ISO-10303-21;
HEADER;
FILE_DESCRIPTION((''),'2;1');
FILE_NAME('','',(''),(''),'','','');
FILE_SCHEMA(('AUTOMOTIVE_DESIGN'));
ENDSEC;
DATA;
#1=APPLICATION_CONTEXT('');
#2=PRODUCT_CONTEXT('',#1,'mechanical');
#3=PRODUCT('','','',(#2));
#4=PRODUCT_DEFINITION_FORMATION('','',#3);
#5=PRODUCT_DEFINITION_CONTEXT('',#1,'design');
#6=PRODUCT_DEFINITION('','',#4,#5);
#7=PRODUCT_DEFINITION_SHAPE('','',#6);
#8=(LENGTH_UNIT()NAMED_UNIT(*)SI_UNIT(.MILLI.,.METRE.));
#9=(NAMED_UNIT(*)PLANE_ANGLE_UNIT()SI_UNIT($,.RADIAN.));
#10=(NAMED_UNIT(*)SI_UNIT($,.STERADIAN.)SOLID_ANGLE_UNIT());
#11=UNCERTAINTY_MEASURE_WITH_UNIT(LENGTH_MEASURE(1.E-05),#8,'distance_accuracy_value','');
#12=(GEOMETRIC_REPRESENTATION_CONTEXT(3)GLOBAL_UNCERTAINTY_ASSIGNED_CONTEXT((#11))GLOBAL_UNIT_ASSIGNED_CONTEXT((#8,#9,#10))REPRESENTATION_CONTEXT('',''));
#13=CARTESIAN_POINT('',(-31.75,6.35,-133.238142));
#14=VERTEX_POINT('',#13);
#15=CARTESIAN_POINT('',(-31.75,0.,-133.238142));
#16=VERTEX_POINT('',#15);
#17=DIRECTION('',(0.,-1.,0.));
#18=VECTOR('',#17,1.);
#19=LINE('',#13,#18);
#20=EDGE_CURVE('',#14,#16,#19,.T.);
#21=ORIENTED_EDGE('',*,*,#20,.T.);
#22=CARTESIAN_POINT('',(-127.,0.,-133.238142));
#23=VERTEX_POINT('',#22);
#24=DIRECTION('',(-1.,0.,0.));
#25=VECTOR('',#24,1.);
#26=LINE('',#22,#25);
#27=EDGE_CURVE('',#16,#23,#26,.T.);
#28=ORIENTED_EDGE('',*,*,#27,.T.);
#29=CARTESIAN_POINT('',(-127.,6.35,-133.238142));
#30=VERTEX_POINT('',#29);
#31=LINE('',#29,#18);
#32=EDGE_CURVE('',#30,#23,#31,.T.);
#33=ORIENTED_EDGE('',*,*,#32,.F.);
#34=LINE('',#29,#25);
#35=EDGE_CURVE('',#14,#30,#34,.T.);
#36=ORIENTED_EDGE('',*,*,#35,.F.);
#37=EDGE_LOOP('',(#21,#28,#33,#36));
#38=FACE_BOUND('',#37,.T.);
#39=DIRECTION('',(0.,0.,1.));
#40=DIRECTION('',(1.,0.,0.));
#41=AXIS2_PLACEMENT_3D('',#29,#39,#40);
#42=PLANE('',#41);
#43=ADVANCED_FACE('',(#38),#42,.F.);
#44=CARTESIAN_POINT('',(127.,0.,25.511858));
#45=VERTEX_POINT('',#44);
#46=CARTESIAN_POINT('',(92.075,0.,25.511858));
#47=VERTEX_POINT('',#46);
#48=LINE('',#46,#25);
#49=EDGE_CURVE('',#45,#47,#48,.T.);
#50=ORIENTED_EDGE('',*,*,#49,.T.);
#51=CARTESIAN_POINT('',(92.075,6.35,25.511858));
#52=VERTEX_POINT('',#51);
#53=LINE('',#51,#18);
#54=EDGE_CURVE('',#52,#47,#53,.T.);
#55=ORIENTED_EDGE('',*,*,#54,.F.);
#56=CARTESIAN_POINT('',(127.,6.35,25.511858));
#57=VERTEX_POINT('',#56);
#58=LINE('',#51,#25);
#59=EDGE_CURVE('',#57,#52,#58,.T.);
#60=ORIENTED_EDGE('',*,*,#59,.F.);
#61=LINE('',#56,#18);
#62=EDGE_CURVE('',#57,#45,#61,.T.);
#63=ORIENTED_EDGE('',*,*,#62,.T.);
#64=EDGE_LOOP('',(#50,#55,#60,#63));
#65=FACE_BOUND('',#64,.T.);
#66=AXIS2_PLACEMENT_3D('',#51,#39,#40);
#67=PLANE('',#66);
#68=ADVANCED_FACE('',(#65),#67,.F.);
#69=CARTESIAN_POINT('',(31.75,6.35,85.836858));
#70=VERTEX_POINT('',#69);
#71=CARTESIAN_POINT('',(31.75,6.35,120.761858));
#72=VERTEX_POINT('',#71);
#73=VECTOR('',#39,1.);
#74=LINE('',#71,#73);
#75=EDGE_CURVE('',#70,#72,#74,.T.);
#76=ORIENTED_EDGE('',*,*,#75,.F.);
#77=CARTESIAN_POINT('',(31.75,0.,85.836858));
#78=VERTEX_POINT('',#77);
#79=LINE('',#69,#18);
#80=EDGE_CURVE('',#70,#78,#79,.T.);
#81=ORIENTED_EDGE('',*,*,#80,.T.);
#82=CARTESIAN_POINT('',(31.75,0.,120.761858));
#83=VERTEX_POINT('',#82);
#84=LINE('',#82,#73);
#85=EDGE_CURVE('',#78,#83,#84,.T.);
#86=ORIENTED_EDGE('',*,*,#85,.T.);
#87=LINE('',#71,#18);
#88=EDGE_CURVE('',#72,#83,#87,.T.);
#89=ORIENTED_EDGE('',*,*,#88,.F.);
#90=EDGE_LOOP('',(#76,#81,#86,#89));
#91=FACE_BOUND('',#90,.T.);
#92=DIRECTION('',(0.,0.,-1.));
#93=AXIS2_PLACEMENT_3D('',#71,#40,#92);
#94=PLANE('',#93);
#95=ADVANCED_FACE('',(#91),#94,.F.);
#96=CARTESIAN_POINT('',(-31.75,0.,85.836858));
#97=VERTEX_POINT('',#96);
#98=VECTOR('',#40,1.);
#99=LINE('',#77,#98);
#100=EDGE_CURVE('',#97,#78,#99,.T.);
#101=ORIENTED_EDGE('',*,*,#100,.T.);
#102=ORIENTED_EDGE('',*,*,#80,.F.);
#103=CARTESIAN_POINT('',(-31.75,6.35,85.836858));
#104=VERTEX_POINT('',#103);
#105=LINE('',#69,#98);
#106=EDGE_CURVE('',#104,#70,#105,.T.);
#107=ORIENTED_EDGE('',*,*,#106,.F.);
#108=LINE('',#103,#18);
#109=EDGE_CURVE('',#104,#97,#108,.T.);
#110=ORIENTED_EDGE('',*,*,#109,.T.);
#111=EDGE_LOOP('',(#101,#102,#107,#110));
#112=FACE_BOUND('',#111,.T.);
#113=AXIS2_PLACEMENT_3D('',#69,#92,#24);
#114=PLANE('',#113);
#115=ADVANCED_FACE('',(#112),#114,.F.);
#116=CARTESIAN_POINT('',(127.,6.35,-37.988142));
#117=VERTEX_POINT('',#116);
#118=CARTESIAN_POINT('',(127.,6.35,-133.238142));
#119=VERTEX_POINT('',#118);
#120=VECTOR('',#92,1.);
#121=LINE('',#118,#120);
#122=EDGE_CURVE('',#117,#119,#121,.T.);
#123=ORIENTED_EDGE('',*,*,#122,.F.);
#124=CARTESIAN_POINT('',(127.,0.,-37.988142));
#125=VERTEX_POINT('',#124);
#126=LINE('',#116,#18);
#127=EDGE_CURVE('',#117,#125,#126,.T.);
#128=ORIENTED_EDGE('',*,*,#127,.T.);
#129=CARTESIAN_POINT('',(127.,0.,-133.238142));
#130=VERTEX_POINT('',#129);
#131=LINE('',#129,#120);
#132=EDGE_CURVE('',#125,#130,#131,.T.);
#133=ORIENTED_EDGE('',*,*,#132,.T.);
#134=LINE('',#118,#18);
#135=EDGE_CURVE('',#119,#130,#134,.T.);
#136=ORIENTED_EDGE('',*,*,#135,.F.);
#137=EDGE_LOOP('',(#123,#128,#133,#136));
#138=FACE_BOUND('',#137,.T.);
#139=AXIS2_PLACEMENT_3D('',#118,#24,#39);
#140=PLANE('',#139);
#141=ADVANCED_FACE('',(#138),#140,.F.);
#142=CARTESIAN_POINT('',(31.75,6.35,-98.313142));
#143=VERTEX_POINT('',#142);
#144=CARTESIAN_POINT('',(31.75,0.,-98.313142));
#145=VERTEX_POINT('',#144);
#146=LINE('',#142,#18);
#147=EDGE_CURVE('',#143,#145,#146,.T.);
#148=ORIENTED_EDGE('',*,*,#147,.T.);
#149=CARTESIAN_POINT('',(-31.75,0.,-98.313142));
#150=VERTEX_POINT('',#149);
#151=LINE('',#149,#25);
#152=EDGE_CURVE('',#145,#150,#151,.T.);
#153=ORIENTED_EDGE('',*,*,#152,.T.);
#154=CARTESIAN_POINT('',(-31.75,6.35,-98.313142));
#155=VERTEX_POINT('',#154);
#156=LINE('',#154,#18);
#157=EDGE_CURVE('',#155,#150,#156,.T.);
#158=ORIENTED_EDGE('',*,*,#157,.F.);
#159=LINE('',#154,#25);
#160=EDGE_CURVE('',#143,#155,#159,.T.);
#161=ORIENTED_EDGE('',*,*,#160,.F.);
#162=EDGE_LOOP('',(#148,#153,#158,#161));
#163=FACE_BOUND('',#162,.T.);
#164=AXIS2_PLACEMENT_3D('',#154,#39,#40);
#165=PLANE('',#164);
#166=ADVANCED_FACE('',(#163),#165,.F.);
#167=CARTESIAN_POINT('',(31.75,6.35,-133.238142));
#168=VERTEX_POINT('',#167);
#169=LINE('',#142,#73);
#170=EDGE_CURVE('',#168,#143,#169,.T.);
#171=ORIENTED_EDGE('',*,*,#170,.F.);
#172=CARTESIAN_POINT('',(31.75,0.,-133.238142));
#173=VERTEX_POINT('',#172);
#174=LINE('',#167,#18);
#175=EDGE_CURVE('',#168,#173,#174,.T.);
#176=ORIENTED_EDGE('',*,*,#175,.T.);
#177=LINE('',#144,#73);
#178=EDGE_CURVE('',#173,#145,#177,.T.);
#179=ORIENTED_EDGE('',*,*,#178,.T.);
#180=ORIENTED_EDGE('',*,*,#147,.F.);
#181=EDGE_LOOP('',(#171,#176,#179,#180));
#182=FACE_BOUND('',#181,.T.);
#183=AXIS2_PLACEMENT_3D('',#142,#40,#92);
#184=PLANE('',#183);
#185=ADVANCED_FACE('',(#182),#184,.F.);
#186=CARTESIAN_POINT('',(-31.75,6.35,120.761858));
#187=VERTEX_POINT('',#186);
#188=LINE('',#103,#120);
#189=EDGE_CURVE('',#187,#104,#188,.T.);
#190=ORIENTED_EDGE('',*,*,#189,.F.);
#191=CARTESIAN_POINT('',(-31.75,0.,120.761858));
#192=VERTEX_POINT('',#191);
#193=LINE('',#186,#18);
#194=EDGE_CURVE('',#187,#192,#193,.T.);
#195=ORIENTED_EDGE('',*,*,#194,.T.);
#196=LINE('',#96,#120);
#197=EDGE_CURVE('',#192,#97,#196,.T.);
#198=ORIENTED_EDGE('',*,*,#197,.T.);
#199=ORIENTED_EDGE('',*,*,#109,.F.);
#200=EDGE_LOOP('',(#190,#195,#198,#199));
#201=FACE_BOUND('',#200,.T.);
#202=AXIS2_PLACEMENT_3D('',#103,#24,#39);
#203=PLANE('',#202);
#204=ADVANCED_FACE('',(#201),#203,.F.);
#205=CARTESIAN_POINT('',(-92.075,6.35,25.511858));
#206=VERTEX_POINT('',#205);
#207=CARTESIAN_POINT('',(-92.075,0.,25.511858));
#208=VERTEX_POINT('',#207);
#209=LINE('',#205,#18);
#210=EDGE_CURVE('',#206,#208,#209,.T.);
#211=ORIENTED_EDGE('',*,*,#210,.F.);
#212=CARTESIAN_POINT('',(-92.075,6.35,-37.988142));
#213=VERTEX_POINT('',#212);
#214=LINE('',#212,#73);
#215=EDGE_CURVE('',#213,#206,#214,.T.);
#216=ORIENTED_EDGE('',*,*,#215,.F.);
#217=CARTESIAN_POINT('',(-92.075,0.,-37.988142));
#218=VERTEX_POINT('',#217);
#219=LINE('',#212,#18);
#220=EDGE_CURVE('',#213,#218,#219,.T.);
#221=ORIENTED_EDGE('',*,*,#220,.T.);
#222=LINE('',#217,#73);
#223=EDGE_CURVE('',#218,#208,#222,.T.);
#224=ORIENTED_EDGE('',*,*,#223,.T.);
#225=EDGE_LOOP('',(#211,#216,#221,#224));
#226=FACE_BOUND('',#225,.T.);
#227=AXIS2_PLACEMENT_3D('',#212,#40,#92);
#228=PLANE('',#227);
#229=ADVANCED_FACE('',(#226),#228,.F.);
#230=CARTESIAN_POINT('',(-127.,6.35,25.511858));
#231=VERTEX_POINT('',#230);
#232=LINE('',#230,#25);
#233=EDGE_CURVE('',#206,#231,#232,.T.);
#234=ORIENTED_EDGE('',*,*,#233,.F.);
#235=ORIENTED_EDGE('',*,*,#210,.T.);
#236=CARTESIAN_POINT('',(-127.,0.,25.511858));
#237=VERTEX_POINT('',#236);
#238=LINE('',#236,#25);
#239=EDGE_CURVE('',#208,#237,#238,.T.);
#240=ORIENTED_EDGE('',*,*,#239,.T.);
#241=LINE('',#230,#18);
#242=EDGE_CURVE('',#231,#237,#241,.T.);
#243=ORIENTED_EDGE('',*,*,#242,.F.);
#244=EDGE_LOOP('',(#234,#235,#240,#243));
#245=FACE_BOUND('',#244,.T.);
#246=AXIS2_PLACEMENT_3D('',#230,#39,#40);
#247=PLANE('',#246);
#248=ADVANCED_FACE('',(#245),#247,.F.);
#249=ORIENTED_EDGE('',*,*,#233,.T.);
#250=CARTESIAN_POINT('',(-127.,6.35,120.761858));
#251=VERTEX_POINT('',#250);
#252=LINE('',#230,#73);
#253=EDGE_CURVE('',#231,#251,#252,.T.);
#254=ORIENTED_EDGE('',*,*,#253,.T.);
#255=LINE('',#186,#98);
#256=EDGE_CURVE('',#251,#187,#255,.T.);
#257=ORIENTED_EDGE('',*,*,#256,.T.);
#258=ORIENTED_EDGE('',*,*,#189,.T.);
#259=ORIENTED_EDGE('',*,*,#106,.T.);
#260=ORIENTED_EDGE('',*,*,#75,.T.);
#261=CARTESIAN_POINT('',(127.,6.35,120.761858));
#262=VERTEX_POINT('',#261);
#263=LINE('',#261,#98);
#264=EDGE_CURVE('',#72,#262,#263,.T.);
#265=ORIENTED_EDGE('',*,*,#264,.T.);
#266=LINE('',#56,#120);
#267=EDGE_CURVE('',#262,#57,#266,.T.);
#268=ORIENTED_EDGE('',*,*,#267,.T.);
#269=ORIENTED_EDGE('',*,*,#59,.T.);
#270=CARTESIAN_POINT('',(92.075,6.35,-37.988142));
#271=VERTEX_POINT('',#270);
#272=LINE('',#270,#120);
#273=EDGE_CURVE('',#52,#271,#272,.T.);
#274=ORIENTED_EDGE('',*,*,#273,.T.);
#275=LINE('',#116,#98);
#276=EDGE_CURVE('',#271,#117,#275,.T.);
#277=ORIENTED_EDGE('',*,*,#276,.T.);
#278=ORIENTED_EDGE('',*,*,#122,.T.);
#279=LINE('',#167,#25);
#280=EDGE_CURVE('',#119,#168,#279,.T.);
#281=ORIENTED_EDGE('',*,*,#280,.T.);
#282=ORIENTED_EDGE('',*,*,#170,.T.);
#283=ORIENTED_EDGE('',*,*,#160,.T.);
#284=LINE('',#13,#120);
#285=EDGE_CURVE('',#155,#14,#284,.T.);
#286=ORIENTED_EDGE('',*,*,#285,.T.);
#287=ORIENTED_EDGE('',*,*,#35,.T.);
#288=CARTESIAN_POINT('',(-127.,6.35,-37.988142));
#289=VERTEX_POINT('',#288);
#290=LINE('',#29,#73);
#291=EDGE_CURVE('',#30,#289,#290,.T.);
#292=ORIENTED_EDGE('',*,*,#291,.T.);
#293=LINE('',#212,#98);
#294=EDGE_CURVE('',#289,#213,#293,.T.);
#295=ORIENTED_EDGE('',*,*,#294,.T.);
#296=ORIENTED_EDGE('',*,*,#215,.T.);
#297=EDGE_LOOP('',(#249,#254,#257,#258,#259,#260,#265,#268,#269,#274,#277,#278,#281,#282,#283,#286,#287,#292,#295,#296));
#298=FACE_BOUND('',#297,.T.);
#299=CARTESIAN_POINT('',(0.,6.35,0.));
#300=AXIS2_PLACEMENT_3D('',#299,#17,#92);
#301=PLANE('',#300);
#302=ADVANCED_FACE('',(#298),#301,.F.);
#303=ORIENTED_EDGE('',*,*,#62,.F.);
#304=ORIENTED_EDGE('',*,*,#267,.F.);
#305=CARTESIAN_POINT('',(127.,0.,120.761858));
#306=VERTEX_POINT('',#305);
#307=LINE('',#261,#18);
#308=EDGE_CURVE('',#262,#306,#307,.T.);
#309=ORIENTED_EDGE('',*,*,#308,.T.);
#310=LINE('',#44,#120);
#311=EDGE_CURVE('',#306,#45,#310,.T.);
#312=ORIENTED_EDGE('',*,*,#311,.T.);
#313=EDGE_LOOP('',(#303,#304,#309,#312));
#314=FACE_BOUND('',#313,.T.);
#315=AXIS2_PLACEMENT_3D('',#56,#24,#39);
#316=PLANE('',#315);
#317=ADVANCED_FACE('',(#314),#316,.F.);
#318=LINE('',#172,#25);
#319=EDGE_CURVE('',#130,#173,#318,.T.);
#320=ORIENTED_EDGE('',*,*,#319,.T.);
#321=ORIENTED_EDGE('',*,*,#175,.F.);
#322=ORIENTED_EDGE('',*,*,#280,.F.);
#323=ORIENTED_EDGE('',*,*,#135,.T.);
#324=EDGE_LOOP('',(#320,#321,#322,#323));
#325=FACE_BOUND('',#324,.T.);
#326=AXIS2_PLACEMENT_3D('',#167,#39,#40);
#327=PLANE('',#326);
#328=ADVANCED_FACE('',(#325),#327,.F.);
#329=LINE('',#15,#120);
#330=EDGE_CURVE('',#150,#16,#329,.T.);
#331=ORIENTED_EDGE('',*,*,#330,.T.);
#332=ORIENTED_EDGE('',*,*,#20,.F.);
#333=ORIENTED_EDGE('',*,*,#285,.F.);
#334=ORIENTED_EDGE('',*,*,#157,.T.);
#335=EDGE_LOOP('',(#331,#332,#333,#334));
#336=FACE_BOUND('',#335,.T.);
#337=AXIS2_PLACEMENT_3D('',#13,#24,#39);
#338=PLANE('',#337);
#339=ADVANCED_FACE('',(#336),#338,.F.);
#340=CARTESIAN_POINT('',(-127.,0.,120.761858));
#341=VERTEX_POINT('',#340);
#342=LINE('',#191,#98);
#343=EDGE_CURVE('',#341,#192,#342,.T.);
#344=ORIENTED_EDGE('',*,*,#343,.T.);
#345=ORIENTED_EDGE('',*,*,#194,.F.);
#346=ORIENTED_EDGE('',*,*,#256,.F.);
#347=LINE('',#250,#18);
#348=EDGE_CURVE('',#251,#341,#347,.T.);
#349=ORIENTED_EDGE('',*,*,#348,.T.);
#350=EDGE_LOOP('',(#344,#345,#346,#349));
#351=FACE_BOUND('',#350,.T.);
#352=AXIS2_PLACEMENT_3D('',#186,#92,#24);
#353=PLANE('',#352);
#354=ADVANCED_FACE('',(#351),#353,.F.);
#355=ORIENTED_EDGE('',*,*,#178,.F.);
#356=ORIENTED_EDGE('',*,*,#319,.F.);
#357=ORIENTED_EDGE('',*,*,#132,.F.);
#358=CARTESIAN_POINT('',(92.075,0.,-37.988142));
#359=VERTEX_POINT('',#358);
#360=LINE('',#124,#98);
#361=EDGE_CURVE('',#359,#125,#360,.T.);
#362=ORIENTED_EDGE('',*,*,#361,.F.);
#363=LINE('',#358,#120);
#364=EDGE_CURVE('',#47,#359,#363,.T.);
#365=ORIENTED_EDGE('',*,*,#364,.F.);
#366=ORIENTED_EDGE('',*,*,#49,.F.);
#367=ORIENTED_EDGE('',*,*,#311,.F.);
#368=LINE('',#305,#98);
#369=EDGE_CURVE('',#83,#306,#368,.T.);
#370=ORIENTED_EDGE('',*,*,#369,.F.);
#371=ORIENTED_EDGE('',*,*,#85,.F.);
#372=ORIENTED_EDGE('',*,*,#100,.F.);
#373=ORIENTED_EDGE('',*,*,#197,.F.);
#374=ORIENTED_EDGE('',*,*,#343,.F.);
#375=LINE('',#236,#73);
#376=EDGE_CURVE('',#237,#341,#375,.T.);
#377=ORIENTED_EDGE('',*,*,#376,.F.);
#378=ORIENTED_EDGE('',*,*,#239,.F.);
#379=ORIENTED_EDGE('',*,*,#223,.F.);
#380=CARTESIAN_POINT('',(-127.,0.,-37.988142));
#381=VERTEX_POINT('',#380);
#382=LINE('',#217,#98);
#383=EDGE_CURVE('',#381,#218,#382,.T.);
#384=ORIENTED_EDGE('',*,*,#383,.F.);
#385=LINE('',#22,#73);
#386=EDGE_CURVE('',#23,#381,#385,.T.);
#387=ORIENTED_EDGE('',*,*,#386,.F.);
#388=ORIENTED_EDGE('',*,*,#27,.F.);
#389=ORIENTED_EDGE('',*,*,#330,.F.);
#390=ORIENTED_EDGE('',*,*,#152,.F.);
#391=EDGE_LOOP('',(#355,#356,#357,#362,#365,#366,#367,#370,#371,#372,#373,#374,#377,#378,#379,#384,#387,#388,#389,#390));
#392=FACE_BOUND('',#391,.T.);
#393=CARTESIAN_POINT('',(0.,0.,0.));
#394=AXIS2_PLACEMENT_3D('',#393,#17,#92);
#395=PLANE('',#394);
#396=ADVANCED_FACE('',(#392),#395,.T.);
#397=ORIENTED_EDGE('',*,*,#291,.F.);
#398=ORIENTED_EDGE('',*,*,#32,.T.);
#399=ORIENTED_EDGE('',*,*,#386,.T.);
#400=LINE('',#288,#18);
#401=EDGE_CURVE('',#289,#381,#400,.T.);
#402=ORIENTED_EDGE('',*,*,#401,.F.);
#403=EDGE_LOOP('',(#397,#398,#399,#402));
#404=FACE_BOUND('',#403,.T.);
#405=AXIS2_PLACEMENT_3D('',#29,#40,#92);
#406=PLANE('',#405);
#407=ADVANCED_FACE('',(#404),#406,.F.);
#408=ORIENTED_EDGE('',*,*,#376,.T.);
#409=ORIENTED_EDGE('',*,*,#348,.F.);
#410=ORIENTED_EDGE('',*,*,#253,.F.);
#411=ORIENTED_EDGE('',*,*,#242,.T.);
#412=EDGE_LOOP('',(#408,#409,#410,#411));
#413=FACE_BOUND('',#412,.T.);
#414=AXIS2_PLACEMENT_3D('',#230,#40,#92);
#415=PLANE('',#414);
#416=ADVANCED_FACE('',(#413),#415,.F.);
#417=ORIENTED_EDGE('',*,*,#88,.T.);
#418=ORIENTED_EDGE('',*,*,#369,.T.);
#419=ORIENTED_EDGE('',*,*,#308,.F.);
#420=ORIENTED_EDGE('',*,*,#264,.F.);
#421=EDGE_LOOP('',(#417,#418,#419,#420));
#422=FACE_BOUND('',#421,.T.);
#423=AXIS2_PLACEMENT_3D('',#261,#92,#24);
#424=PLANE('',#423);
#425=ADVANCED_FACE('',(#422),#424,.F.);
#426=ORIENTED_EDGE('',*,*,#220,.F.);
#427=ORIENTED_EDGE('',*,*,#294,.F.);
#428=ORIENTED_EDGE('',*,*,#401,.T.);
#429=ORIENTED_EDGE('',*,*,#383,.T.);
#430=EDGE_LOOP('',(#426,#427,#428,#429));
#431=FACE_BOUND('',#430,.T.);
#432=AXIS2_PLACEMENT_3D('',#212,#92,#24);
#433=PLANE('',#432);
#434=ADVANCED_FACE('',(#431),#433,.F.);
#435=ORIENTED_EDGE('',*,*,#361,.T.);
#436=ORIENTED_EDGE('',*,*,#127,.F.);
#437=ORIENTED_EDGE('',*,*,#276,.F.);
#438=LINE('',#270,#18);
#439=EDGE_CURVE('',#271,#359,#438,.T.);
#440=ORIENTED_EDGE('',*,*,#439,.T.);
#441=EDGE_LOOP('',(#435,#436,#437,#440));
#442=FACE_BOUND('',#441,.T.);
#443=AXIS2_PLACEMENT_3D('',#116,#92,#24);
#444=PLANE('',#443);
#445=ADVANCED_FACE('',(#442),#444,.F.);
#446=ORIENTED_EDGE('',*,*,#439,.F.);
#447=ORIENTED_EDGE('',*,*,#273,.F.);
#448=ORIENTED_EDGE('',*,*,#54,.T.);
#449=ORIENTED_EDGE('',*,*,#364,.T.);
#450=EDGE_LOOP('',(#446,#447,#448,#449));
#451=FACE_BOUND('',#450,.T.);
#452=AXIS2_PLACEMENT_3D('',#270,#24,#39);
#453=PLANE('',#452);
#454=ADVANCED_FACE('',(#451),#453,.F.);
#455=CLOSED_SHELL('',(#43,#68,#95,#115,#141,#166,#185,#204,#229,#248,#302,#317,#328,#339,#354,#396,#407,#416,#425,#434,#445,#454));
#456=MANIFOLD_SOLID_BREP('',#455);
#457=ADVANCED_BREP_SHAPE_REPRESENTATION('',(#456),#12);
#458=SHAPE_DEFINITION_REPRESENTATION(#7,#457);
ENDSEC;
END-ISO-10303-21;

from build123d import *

# Parameters (mm, degrees)
BOSS_EXTRUDE1_DEPTH = 6.35


with BuildPart() as part:
    # Sketch1 → Boss-Extrude1 (new body)
    with BuildSketch(Plane(origin=(0, 0, 0), x_dir=(1, 0, 0), z_dir=(0, 1, 0))):
        Polygon((-127, -25.511858386), (-127, -120.761858386), (-31.75, -120.761858386), (-31.75, -85.836858386), (31.75, -85.836858386), (31.75, -120.761858386), (127, -120.761858386), (127, -25.511858386), (92.075, -25.511858386), (92.075, 37.988141614), (127, 37.988141614), (127, 133.238141614), (31.75, 133.238141614), (31.75, 98.313141614), (-31.75, 98.313141614), (-31.75, 133.238141614), (-127, 133.238141614), (-127, 37.988141614), (-92.075, 37.988141614), (-92.075, -25.511858386), align=None)
    extrude(amount=BOSS_EXTRUDE1_DEPTH)


solid = part.part
